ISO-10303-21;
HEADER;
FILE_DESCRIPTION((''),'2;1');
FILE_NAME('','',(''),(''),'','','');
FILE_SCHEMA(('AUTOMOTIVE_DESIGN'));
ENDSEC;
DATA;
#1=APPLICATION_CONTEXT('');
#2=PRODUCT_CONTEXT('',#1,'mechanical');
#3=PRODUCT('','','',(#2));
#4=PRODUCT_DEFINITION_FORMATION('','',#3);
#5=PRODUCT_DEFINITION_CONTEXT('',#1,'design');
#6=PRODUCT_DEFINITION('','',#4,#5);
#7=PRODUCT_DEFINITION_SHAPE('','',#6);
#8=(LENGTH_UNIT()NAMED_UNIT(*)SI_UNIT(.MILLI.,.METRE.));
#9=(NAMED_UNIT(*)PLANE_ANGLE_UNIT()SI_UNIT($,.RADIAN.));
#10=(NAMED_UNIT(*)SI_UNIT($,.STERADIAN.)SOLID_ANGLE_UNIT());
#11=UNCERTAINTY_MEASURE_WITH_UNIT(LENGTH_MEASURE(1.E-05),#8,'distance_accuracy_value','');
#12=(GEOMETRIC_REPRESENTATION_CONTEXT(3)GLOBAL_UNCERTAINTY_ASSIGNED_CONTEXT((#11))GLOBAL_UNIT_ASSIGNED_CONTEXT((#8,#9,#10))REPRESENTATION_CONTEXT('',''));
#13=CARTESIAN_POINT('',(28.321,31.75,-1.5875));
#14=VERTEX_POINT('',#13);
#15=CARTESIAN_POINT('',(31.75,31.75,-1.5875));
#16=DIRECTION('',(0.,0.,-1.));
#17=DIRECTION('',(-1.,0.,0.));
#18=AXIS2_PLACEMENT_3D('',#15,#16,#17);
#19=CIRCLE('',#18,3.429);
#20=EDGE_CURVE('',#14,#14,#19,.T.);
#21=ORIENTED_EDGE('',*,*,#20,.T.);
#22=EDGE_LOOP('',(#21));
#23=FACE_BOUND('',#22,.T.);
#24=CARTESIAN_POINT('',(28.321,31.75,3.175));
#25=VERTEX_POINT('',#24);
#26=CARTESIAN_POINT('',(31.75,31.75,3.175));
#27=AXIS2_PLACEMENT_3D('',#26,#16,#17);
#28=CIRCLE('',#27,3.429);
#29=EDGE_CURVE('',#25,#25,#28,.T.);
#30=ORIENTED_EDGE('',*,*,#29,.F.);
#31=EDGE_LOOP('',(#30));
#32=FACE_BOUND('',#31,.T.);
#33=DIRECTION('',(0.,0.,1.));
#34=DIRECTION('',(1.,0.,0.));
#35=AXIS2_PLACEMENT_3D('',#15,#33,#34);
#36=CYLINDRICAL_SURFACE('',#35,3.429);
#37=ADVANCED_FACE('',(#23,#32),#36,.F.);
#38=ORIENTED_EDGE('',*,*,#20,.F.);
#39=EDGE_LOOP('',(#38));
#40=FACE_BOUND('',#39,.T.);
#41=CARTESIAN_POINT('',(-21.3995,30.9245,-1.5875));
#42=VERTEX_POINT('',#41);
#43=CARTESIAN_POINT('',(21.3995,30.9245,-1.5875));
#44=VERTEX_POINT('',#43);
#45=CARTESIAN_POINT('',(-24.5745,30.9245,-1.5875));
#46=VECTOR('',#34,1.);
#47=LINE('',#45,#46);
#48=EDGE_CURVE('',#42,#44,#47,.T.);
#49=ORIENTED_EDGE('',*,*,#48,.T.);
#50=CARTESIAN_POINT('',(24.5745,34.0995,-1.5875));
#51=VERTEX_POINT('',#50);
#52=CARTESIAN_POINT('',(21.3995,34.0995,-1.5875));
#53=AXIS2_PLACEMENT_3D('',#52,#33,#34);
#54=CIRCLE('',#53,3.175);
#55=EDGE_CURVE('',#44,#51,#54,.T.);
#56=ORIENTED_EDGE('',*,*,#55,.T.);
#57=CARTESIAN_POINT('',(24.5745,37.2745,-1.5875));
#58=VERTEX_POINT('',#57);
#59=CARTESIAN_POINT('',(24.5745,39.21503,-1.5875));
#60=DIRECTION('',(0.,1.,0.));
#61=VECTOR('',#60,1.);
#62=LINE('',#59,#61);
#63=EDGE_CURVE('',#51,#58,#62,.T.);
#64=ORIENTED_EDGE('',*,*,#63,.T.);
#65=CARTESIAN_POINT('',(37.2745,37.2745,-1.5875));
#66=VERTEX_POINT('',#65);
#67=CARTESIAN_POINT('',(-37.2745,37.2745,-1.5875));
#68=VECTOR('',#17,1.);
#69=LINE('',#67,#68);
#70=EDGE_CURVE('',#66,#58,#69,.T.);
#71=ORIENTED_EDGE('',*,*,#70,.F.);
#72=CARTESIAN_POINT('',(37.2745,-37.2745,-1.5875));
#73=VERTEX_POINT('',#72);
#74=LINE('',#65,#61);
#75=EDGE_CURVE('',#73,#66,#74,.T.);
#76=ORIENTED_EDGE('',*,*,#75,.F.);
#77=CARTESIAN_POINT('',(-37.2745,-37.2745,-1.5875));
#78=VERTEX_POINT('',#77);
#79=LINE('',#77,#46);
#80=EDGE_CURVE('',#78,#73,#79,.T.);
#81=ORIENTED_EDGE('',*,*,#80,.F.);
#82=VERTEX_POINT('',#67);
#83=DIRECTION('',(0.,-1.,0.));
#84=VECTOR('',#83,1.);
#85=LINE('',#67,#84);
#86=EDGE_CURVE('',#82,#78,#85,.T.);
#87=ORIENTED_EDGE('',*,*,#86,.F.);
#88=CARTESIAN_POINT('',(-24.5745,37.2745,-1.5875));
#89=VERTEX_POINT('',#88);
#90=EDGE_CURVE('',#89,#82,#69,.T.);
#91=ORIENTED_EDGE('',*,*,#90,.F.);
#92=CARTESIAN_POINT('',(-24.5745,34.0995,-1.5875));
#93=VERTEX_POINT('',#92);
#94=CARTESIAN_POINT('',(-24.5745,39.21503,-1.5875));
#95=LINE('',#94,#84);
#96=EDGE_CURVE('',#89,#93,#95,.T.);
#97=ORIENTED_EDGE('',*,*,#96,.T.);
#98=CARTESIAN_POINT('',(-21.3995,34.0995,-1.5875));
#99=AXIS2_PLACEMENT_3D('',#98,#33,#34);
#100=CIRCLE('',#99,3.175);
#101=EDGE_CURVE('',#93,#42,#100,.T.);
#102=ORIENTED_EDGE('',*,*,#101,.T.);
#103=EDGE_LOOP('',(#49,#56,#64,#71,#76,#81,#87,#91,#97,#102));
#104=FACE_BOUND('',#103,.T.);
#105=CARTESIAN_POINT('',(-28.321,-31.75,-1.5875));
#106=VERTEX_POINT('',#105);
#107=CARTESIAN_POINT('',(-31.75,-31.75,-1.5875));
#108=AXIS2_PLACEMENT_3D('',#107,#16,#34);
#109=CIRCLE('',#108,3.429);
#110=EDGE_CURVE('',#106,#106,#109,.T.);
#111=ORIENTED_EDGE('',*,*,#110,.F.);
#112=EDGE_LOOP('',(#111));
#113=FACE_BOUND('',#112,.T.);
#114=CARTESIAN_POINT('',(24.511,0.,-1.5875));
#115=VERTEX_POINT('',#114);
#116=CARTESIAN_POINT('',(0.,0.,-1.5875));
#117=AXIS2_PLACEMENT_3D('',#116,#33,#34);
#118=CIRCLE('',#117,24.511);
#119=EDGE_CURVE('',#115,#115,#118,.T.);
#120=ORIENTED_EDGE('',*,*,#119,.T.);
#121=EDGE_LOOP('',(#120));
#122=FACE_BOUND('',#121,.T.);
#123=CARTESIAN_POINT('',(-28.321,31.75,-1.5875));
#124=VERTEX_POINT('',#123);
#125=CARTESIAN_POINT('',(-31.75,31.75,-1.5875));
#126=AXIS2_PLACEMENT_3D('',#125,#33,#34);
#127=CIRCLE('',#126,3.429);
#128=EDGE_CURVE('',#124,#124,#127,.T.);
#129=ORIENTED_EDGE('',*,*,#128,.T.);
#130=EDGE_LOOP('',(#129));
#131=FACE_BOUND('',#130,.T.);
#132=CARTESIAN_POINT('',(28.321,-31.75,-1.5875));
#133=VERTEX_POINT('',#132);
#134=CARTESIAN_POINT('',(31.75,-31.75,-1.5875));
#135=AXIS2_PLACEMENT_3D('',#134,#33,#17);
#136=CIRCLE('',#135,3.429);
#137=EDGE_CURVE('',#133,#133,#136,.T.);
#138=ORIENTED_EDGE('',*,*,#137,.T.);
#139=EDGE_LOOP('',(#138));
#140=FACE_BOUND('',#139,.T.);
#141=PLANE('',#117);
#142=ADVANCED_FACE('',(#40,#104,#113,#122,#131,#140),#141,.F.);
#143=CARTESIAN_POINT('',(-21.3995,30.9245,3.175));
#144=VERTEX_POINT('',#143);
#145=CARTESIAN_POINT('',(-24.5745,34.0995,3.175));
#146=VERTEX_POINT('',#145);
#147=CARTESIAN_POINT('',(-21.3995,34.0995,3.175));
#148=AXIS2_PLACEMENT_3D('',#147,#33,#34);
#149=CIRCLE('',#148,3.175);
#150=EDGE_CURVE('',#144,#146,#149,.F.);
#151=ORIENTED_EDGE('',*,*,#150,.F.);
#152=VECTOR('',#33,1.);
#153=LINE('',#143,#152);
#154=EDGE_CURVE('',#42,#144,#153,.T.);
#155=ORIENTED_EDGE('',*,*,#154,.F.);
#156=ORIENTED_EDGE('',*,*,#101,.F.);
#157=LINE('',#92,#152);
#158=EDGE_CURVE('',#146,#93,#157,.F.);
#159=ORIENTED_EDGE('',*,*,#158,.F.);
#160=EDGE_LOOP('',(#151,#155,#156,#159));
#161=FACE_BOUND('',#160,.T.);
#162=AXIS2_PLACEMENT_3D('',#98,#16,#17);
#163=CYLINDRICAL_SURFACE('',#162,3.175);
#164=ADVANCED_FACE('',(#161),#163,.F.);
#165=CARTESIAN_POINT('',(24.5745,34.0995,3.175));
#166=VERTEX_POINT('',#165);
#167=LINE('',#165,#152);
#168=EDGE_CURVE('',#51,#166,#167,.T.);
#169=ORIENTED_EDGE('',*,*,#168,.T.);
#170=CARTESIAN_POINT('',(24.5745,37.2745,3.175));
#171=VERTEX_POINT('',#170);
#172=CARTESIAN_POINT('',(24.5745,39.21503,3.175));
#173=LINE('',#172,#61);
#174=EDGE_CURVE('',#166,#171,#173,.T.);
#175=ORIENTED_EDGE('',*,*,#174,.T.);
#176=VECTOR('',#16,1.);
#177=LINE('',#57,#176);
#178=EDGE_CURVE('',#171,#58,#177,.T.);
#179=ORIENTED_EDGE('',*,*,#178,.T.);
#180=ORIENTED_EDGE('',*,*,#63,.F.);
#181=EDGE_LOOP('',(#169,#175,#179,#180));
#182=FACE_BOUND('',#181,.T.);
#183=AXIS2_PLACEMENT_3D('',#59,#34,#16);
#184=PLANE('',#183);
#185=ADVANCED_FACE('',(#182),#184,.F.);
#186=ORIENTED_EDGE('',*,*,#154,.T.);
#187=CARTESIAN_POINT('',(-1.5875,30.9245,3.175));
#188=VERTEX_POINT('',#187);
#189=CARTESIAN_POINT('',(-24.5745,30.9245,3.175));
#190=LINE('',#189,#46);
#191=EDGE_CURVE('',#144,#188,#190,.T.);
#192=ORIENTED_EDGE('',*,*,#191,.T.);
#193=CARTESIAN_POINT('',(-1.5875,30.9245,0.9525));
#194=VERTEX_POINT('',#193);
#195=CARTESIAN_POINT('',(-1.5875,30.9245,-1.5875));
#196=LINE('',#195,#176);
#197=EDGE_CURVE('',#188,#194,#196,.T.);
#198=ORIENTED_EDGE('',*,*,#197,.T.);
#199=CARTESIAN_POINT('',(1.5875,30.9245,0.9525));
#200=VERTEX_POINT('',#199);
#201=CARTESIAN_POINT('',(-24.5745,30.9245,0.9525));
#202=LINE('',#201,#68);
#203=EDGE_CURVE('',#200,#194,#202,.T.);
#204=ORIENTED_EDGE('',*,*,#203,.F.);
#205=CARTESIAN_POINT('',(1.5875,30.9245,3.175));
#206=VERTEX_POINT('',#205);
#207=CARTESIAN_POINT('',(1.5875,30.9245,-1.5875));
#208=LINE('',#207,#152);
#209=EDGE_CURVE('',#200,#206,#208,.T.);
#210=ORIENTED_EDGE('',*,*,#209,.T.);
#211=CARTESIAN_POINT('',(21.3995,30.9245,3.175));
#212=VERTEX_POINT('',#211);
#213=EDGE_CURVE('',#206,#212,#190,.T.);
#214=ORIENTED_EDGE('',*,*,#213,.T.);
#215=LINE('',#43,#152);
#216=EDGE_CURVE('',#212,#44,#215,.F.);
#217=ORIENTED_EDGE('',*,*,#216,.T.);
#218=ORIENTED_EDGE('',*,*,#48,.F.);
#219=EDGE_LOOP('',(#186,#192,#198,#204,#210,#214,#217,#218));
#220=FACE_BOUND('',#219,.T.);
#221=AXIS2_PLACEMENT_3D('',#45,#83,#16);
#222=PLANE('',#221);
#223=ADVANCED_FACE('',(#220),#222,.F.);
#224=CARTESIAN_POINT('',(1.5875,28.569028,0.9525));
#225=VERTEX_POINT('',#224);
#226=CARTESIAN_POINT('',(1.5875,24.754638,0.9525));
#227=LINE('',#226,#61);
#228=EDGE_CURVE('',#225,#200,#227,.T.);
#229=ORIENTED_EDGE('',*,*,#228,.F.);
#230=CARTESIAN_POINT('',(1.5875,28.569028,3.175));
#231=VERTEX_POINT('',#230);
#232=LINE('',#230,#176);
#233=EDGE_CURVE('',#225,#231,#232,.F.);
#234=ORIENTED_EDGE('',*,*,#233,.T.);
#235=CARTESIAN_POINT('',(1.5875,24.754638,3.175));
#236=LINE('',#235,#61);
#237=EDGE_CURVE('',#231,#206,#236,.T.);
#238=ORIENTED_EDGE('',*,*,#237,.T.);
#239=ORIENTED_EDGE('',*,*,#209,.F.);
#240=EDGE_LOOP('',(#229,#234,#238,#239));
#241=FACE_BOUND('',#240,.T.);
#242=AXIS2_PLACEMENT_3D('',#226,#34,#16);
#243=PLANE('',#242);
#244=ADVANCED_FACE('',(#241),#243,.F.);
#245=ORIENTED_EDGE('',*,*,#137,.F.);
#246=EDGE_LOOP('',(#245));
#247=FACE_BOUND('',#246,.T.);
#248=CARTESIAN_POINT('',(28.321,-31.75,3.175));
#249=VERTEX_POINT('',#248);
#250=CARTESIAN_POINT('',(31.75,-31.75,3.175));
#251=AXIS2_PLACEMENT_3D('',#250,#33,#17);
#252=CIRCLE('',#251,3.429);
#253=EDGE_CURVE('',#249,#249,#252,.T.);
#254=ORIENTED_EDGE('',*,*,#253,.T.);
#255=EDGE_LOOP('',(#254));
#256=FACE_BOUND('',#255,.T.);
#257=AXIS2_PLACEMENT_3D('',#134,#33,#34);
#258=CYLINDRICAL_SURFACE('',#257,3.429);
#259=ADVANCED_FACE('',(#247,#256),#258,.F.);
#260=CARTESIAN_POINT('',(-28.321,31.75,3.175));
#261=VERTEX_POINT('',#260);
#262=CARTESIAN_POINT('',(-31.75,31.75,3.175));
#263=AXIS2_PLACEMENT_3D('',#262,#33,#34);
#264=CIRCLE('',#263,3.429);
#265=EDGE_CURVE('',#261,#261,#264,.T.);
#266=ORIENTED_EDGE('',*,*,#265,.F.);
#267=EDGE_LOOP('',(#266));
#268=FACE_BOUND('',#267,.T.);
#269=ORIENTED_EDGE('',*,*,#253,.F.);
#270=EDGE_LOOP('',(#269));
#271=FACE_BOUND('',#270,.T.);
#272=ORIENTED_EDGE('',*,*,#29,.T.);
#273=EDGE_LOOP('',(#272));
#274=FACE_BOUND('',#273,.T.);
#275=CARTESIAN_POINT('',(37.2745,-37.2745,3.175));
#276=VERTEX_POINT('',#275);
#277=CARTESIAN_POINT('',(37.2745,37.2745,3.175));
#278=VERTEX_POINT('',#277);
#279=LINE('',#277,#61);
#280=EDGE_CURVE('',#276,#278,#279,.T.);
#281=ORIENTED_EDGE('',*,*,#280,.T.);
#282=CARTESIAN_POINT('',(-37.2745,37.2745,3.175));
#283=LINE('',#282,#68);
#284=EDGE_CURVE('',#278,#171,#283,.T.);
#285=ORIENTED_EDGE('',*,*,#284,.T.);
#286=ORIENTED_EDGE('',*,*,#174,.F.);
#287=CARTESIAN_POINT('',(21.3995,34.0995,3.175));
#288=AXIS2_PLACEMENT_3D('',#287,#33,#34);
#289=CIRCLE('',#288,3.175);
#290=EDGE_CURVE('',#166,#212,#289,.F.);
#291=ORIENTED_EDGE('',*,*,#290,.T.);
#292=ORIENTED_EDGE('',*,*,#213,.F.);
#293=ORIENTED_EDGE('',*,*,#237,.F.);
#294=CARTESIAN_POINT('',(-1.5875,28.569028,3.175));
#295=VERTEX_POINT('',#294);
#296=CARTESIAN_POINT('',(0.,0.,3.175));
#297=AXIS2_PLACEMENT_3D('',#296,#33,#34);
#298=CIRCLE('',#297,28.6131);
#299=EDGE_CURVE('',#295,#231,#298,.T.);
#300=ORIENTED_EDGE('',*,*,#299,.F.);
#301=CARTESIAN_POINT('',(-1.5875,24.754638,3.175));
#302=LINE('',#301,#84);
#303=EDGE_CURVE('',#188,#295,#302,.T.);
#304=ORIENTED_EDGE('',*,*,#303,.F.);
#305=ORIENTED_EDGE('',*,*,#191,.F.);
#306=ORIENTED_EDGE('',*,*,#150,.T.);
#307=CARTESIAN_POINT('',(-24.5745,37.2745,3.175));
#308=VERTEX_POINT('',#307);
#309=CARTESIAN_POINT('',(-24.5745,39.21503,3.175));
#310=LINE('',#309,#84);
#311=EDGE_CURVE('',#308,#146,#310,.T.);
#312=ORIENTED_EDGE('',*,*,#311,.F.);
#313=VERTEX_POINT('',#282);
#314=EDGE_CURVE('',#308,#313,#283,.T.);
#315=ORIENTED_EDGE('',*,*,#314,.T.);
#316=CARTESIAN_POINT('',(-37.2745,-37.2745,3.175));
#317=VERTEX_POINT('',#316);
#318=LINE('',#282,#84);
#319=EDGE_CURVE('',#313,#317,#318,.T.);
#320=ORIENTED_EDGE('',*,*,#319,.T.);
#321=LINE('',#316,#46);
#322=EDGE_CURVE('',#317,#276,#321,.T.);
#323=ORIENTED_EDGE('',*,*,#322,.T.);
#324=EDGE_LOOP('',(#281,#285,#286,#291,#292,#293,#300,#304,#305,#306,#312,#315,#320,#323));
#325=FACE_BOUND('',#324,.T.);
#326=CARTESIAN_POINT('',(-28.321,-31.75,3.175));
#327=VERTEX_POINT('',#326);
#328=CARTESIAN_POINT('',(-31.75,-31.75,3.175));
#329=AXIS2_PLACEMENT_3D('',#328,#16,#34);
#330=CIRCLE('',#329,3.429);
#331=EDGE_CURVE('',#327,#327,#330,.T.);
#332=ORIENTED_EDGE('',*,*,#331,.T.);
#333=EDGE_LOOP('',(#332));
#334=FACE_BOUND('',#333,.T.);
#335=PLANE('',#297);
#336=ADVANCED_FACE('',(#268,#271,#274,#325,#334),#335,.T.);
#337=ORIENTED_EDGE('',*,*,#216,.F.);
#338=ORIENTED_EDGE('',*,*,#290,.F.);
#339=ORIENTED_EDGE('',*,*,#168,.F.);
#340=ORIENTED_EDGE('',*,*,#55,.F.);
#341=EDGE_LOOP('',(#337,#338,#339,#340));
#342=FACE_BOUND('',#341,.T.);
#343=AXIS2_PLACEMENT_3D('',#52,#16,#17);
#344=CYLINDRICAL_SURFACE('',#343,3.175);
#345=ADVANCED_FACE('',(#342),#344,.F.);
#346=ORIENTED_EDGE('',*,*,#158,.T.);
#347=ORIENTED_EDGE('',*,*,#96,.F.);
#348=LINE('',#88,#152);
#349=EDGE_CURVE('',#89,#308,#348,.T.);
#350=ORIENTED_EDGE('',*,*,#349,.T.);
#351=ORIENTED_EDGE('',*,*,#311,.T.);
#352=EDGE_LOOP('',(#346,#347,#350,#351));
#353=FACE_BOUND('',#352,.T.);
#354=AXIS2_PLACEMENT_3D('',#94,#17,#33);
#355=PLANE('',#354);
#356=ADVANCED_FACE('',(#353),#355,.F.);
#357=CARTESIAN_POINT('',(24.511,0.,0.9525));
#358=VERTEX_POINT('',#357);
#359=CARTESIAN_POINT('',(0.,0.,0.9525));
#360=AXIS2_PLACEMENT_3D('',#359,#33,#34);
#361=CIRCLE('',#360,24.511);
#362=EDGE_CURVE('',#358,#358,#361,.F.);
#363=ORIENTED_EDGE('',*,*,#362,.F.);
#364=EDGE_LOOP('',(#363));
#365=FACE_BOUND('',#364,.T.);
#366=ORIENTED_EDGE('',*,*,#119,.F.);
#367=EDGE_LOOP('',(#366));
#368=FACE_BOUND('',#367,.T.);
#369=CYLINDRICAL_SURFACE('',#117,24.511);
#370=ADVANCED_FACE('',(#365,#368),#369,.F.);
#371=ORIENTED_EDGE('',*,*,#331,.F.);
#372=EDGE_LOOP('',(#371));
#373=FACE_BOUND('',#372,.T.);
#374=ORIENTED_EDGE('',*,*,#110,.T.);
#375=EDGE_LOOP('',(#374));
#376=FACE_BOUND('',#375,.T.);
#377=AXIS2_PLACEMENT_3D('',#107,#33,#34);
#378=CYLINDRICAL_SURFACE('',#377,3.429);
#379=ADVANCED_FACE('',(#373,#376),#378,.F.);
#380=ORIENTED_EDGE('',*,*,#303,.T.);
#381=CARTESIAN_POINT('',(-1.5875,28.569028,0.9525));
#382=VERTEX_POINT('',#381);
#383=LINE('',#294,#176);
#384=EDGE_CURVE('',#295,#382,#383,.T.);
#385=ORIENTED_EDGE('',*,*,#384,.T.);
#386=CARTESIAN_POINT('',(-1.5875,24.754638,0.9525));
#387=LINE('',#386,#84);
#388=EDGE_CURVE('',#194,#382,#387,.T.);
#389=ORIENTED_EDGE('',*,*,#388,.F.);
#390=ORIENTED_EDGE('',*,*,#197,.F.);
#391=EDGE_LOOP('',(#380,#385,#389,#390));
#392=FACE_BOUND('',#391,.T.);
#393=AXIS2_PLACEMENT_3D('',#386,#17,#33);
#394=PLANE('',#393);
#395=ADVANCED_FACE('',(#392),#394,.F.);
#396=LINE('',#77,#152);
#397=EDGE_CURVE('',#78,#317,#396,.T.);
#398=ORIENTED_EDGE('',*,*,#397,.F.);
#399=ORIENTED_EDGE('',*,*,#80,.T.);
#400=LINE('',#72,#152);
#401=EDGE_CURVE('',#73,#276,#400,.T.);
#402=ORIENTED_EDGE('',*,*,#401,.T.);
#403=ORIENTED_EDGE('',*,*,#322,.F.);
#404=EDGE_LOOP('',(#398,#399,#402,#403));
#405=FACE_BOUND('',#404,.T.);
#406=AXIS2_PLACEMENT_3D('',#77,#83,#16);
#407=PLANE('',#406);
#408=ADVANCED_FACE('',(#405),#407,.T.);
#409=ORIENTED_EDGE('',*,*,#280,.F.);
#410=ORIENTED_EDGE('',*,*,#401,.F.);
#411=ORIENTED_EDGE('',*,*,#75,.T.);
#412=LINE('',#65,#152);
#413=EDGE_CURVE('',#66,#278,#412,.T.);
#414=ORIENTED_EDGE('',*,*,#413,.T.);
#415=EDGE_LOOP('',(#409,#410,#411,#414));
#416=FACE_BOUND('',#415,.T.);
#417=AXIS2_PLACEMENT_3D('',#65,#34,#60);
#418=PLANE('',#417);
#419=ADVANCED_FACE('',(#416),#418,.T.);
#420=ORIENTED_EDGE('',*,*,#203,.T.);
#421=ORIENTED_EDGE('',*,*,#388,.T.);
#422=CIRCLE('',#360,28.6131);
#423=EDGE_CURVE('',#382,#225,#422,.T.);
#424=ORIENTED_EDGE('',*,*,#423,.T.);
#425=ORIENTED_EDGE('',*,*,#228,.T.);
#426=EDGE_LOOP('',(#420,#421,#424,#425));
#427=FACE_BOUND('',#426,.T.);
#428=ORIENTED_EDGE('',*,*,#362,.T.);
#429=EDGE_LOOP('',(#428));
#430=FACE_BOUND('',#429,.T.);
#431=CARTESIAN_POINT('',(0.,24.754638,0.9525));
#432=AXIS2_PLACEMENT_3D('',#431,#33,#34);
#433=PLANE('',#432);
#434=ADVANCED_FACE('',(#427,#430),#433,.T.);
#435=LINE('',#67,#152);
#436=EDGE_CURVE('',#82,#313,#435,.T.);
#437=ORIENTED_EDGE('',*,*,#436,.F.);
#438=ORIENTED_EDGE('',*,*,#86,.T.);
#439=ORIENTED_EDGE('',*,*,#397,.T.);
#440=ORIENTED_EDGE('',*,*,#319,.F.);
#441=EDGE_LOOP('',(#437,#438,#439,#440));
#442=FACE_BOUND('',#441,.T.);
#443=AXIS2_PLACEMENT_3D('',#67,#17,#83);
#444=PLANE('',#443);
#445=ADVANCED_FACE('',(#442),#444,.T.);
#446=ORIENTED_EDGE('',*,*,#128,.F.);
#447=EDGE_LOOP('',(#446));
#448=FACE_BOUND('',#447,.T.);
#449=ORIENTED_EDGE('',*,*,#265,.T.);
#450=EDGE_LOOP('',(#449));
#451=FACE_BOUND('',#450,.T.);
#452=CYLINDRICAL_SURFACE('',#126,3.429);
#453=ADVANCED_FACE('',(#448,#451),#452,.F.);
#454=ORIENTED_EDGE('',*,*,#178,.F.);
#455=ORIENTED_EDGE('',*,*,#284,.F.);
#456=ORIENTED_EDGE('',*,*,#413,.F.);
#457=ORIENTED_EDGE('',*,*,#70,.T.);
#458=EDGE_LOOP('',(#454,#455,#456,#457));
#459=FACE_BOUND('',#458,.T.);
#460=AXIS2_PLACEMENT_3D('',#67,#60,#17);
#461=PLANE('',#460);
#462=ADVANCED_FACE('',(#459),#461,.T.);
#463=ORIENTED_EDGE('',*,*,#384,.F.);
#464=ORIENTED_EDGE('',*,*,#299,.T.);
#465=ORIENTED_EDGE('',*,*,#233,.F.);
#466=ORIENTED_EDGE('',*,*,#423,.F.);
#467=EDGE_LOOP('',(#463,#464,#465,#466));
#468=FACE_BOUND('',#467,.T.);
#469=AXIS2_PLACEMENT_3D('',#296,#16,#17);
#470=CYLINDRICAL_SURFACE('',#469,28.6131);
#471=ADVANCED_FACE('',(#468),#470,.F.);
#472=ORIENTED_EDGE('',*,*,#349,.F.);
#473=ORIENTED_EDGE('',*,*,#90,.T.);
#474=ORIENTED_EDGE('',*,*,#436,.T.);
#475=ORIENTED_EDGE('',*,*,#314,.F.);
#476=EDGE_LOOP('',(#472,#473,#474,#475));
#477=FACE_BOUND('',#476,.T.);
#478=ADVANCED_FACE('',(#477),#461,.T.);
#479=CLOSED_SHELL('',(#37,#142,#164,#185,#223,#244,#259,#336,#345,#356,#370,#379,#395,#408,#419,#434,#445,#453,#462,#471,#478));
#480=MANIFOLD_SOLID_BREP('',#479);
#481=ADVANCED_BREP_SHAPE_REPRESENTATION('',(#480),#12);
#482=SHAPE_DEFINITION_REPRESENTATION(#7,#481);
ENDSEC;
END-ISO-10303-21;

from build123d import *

# Parameters (mm, degrees)
SKETCH1_W                      = 74.549
SKETCH1_H                      = 74.549
SKETCH1_R                      = 24.511
BOSS_EXTRUDE1_DEPTH            = 1.5875
BOSS_EXTRUDE1_DEPTH_BACK       = 1.5875
SKETCH15_W                     = 74.549
SKETCH15_H                     = 74.549
SKETCH15_R                     = 28.6131
BOSS_EXTRUDE11_DEPTH           = 1.5875
CUT_EXTRUDE1_START             = -4.175
SKETCH2_R                      = 3.429
CUT_EXTRUDE1_DEPTH             = 6.7625
MIRROR2_START                  = -4.175
MIRROR2_COPY_1_SKETCH_R        = 3.429
MIRROR2_COPY_1_DEPTH           = 6.7625
SKETCH14_W                     = 49.149
SKETCH14_H                     = 8.290530285
CUT_EXTRUDE6_DEPTH             = 2.5875
CUT_EXTRUDE6_DEPTH_BACK        = 4.175
FILLET2_R                      = 3.175
CUT_EXTRUDE8_REACH             = 3.587
CUT_EXTRUDE8_DIRECTION_2_DEPTH = 0.635
SKETCH18_R                     = 28.6131
CUT_EXTRUDE9_DEPTH             = 0.635


with BuildPart() as part:
    # Sketch1 → Boss-Extrude1 (new body, two sides)
    with BuildSketch(Plane.XY) as boss_extrude1_sk:
        Rectangle(SKETCH1_W, SKETCH1_H)
        Circle(SKETCH1_R, mode=Mode.SUBTRACT)
    extrude(amount=BOSS_EXTRUDE1_DEPTH)
    extrude(boss_extrude1_sk.sketch, amount=-BOSS_EXTRUDE1_DEPTH_BACK)

    # Sketch15 → Boss-Extrude11 (add)
    with BuildSketch(Plane.XY.offset(1.5875)):
        Rectangle(SKETCH15_W, SKETCH15_H)
        Circle(SKETCH15_R, mode=Mode.SUBTRACT)
    extrude(amount=BOSS_EXTRUDE11_DEPTH)

    # Sketch2 → Cut-Extrude1 (cut)
    with BuildSketch(Plane.XY.offset(1.5875).offset(CUT_EXTRUDE1_START)):
        with Locations((-31.75, 31.75)):
            Circle(SKETCH2_R)
    cut_extrude1 = extrude(amount=CUT_EXTRUDE1_DEPTH, mode=Mode.SUBTRACT)

    # Mirror1: Cut-Extrude1 across plane
    add(cut_extrude1.mirror(Plane(origin=(0, 0, 0), x_dir=(0, 0, 1), z_dir=(1, 0, 0))), mode=Mode.SUBTRACT)

    # Mirror2: Cut-Extrude1 across plane
    add(cut_extrude1.mirror(Plane.ZX), mode=Mode.SUBTRACT)

    # Mirror2 copy 1 sketch → Mirror2 copy 1 (cut)
    with BuildSketch(Plane(origin=(0, 0, 1.5875), x_dir=(-1, 0, 0), z_dir=(0, 0, 1)).offset(MIRROR2_START)):
        with Locations((-31.75, 31.75)):
            Circle(MIRROR2_COPY_1_SKETCH_R)
    extrude(amount=MIRROR2_COPY_1_DEPTH, mode=Mode.SUBTRACT)

    # Sketch14 → Cut-Extrude6 (cut, two sides)
    with BuildSketch(Plane.XY.offset(1.5875)) as cut_extrude6_sk:
        with Locations((0, 35.069765143)):
            Rectangle(SKETCH14_W, SKETCH14_H)
    extrude(amount=CUT_EXTRUDE6_DEPTH, mode=Mode.SUBTRACT)
    extrude(cut_extrude6_sk.sketch, amount=-CUT_EXTRUDE6_DEPTH_BACK, mode=Mode.SUBTRACT)

    # Fillet2
    fillet2_edges = [part.edges().sort_by_distance(p)[0] for p in [
        (-24.5745, 30.9245, 0.79375),
        (24.5745, 30.9245, 0.79375),
    ]]
    fillet(fillet2_edges, radius=FILLET2_R)

    # Sketch17 → Cut-Extrude8 (cut, up to next)
    with BuildSketch(Plane.XY.offset(1.5875), mode=Mode.PRIVATE) as cut_extrude8_sk1:
        with BuildLine():
            Line((-1.5875, 24.754637718), (-1.5875, 33.858616052))
            ThreePointArc((-1.5875, 33.858616052), (0, 35.446116052), (1.5875, 33.858616052))
            Line((1.5875, 33.858616052), (1.5875, 24.754637718))
            ThreePointArc((1.5875, 24.754637718), (0, 23.167137718), (-1.5875, 24.754637718))
        make_face()
    cut_extrude8_tool1 = extrude(cut_extrude8_sk1.sketch, amount=CUT_EXTRUDE8_REACH, mode=Mode.PRIVATE) & part.part
    add(cut_extrude8_tool1.solids().sort_by_distance((0, 29.306627, 1.5875))[0], mode=Mode.SUBTRACT)

    # Sketch17 → Cut-Extrude8 direction 2 (cut)
    with BuildSketch(Plane.XY.offset(1.5875)):
        with BuildLine():
            Line((-1.5875, 24.754637718), (-1.5875, 33.858616052))
            ThreePointArc((-1.5875, 33.858616052), (0, 35.446116052), (1.5875, 33.858616052))
            Line((1.5875, 33.858616052), (1.5875, 24.754637718))
            ThreePointArc((1.5875, 24.754637718), (0, 23.167137718), (-1.5875, 24.754637718))
        make_face()
    extrude(amount=-CUT_EXTRUDE8_DIRECTION_2_DEPTH, mode=Mode.SUBTRACT)

    # Sketch18 → Cut-Extrude9 (cut)
    with BuildSketch(Plane.XY.offset(1.5875)):
        Circle(SKETCH18_R)
    extrude(amount=-CUT_EXTRUDE9_DEPTH, mode=Mode.SUBTRACT)


solid = part.part
